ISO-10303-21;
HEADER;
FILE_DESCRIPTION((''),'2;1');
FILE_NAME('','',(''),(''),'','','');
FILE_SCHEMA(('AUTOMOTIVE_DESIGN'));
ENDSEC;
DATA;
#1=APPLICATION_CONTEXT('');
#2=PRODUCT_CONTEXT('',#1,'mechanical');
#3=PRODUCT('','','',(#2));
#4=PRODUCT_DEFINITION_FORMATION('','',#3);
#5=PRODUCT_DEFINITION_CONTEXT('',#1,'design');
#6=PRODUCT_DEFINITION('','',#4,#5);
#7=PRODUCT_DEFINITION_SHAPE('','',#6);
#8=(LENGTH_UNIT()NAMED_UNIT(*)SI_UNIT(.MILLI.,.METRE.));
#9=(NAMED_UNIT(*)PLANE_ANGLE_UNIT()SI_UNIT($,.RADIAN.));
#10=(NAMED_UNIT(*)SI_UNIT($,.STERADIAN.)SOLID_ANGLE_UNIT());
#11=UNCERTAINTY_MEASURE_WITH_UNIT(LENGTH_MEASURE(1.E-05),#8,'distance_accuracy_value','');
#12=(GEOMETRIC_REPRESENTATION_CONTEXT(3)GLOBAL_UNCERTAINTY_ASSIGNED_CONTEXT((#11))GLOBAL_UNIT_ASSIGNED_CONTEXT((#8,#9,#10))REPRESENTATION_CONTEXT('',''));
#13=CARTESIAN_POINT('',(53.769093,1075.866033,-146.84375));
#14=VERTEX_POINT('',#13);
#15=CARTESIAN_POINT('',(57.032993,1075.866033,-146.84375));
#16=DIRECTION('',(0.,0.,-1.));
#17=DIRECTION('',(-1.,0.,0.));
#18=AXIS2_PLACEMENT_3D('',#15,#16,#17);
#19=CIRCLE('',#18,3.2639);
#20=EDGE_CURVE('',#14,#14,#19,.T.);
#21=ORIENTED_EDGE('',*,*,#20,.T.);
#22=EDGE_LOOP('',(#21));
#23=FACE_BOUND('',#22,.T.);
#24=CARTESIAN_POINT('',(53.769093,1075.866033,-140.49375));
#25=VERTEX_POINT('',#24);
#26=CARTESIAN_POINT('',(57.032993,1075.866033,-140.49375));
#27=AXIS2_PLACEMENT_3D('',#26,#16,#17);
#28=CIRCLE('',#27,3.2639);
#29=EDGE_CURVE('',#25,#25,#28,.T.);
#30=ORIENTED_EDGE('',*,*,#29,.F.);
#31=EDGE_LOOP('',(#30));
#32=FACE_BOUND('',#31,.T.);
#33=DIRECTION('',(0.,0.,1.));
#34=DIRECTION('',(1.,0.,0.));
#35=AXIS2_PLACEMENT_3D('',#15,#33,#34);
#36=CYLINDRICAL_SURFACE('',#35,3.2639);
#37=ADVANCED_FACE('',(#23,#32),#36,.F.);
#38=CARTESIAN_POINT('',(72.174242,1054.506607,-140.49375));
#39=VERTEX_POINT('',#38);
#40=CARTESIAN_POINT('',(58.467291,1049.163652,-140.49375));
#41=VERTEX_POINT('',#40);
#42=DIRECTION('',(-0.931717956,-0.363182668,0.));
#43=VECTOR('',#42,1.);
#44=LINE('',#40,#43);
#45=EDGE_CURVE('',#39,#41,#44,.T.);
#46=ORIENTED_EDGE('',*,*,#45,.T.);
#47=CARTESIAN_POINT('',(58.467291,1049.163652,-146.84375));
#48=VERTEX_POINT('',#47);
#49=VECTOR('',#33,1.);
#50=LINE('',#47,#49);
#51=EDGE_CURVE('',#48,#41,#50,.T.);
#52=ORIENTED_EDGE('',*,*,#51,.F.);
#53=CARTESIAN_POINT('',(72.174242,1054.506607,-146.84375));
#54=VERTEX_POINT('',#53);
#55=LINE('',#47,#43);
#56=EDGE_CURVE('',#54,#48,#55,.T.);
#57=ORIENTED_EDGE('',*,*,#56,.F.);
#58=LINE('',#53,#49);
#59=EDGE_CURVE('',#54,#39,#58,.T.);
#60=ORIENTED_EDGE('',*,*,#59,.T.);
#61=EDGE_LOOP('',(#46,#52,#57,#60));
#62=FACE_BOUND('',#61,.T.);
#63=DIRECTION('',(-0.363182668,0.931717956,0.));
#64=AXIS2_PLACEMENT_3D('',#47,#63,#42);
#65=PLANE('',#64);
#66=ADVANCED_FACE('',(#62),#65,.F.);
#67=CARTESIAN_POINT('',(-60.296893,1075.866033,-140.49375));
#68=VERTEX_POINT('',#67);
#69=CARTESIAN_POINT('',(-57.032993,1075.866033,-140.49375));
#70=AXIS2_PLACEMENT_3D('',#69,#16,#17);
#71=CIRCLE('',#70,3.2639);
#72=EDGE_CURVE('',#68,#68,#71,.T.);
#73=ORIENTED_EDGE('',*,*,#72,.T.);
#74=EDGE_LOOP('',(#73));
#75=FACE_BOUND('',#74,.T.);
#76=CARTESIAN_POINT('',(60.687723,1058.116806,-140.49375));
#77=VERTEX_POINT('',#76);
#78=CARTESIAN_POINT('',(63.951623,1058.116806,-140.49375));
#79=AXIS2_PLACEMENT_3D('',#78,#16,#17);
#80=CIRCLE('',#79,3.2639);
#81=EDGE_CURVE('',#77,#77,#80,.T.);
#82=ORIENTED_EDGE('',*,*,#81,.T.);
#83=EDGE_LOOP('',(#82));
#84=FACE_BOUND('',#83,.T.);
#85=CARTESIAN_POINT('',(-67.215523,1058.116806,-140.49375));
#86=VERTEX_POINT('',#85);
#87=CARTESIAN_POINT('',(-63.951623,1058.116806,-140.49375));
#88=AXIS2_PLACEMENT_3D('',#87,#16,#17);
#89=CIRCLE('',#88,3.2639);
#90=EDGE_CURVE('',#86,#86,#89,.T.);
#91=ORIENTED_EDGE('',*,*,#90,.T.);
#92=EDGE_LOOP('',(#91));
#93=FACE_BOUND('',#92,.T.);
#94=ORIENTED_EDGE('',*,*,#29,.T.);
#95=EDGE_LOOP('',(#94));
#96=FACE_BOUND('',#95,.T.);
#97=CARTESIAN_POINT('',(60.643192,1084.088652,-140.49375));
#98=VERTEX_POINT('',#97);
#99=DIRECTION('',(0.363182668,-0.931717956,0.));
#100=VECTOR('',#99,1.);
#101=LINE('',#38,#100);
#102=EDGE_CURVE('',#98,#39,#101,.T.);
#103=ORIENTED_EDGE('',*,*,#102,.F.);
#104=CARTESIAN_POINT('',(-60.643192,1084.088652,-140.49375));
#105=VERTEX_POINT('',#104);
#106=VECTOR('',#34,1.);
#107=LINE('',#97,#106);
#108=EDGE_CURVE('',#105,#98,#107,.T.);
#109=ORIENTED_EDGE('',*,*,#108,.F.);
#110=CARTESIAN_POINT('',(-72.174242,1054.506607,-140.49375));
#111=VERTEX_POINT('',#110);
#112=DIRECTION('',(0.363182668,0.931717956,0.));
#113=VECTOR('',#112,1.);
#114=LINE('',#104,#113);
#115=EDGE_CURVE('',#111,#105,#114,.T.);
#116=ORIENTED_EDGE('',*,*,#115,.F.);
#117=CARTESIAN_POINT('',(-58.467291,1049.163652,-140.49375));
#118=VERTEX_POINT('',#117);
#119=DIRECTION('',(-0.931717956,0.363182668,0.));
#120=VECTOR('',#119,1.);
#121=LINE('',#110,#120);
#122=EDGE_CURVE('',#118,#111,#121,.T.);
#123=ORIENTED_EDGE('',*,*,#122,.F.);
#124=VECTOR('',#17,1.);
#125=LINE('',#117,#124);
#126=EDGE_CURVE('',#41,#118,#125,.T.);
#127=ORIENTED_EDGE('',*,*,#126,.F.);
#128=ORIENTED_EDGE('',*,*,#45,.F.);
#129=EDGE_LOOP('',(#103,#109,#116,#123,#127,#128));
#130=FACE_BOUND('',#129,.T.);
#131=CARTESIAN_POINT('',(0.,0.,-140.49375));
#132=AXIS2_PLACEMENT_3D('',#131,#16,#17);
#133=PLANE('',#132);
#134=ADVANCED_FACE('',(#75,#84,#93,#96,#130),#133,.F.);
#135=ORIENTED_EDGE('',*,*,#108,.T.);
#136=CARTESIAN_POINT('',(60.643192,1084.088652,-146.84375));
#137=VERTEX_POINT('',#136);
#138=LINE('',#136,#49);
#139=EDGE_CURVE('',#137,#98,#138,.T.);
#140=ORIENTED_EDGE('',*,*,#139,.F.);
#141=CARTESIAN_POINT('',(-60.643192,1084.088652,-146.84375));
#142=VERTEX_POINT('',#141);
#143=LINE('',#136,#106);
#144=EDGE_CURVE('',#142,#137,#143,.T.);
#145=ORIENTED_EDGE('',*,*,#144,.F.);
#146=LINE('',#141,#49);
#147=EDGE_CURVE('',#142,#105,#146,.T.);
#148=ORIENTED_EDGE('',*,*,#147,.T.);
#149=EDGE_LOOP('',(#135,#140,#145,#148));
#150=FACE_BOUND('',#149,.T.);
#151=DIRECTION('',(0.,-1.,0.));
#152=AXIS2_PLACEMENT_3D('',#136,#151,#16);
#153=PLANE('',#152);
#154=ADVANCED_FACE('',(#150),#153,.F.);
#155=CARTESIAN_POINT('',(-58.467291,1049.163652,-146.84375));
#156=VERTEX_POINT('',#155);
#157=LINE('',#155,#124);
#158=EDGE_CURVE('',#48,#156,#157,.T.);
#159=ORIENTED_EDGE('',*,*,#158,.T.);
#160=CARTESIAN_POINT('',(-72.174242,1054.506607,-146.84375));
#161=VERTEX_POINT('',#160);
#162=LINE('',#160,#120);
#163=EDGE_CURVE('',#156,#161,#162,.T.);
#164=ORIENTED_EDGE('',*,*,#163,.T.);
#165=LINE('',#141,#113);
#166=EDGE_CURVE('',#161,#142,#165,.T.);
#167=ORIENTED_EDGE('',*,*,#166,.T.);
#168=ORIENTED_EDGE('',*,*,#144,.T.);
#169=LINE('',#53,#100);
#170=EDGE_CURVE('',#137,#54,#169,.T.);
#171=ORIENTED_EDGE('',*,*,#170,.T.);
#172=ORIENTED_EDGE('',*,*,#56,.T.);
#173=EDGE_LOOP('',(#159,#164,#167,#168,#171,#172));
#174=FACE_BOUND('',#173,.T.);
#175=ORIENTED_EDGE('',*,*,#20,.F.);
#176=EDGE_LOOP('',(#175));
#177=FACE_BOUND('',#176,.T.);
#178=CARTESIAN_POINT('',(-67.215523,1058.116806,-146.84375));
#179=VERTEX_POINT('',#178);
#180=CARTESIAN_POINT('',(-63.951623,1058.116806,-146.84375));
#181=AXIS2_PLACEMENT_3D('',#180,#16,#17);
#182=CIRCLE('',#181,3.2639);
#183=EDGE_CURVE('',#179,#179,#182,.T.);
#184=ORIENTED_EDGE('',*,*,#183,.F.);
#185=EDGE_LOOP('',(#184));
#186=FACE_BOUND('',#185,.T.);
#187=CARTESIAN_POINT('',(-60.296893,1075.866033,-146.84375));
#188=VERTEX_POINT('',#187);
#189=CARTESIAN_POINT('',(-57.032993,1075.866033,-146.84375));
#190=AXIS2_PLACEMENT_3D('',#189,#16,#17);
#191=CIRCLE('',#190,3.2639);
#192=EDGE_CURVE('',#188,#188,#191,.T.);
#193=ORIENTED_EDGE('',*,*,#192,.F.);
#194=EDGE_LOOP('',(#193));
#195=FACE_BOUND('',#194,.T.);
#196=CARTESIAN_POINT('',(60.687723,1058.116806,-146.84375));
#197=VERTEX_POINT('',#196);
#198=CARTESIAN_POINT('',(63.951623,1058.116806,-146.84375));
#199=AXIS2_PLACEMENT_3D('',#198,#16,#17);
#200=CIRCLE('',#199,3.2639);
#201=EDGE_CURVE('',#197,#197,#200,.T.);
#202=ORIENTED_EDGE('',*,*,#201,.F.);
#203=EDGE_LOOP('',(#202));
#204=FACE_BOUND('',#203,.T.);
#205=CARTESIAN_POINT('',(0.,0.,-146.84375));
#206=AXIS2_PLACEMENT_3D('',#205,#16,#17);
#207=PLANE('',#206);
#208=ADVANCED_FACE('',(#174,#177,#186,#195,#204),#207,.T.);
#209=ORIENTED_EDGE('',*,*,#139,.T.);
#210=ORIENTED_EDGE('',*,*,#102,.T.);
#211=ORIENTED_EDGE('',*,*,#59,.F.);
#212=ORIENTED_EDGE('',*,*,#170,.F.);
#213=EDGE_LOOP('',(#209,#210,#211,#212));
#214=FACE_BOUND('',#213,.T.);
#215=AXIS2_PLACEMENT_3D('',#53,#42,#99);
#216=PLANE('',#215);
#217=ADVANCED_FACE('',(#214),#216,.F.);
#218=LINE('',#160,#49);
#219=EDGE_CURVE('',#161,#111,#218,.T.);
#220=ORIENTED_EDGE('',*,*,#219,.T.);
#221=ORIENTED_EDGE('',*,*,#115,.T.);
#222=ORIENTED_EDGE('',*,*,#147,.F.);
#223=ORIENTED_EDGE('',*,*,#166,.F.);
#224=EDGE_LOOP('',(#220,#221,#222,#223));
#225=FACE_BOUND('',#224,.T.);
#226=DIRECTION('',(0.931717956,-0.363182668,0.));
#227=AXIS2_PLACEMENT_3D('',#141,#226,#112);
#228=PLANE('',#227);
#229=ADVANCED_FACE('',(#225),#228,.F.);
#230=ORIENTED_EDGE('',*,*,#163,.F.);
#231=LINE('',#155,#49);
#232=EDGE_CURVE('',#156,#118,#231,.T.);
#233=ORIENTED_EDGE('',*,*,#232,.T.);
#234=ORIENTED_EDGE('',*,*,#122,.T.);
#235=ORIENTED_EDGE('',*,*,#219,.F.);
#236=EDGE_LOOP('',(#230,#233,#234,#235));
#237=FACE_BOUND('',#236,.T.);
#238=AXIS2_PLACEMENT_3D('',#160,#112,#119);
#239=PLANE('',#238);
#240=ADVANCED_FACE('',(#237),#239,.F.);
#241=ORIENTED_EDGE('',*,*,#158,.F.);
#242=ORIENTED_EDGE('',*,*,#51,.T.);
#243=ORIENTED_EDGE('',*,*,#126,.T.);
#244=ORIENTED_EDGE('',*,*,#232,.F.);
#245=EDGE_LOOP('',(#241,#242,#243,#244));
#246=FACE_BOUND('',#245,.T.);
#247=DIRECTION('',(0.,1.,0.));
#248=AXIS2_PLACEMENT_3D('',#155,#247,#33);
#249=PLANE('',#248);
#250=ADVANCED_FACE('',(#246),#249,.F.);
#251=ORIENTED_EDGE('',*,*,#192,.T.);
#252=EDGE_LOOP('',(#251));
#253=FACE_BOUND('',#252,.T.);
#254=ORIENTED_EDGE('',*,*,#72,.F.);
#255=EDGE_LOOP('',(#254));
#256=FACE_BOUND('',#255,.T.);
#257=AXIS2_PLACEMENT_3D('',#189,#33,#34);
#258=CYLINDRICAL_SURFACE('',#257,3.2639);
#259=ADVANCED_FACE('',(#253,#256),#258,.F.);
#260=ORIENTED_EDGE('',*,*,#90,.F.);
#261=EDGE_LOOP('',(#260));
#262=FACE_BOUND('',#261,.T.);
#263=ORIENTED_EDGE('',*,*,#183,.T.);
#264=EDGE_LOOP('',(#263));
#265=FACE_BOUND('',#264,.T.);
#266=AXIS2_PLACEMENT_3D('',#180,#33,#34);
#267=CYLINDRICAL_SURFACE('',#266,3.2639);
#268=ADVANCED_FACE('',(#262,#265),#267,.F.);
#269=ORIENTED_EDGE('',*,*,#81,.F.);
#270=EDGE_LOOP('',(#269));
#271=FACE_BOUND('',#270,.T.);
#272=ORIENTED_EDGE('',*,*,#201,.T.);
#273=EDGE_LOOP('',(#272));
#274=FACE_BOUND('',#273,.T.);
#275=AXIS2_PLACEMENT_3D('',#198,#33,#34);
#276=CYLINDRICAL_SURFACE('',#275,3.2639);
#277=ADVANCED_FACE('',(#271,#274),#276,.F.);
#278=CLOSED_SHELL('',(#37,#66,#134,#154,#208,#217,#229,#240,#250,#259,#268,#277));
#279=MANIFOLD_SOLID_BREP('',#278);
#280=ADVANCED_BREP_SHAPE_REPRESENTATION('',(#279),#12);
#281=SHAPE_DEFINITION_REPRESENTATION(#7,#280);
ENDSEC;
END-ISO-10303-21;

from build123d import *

# Parameters (mm, degrees)
SKETCH1_R           = 3.2639
BOSS_EXTRUDE1_DEPTH = 6.35


with BuildPart() as part:
    # Sketch1 → Boss-Extrude1 (new body)
    with BuildSketch(Plane(origin=(0, 0, -140.49375), x_dir=(-1, 0, 0), z_dir=(0, 0, -1))):
        Polygon((-60.643192472, 1084.088651888), (60.643192472, 1084.088651888), (72.174242173, 1054.50660678), (58.467291227, 1049.163651888), (-58.467291227, 1049.163651888), (-72.174242173, 1054.50660678), align=None)
        with Locations((-57.03299339, 1075.866032926)):
            Circle(SKETCH1_R, mode=Mode.SUBTRACT)
        with Locations((-63.951623211, 1058.116805861)):
            Circle(SKETCH1_R, mode=Mode.SUBTRACT)
        with Locations((57.03299339, 1075.866032926)):
            Circle(SKETCH1_R, mode=Mode.SUBTRACT)
        with Locations((63.951623211, 1058.116805861)):
            Circle(SKETCH1_R, mode=Mode.SUBTRACT)
    extrude(amount=BOSS_EXTRUDE1_DEPTH)


solid = part.part
